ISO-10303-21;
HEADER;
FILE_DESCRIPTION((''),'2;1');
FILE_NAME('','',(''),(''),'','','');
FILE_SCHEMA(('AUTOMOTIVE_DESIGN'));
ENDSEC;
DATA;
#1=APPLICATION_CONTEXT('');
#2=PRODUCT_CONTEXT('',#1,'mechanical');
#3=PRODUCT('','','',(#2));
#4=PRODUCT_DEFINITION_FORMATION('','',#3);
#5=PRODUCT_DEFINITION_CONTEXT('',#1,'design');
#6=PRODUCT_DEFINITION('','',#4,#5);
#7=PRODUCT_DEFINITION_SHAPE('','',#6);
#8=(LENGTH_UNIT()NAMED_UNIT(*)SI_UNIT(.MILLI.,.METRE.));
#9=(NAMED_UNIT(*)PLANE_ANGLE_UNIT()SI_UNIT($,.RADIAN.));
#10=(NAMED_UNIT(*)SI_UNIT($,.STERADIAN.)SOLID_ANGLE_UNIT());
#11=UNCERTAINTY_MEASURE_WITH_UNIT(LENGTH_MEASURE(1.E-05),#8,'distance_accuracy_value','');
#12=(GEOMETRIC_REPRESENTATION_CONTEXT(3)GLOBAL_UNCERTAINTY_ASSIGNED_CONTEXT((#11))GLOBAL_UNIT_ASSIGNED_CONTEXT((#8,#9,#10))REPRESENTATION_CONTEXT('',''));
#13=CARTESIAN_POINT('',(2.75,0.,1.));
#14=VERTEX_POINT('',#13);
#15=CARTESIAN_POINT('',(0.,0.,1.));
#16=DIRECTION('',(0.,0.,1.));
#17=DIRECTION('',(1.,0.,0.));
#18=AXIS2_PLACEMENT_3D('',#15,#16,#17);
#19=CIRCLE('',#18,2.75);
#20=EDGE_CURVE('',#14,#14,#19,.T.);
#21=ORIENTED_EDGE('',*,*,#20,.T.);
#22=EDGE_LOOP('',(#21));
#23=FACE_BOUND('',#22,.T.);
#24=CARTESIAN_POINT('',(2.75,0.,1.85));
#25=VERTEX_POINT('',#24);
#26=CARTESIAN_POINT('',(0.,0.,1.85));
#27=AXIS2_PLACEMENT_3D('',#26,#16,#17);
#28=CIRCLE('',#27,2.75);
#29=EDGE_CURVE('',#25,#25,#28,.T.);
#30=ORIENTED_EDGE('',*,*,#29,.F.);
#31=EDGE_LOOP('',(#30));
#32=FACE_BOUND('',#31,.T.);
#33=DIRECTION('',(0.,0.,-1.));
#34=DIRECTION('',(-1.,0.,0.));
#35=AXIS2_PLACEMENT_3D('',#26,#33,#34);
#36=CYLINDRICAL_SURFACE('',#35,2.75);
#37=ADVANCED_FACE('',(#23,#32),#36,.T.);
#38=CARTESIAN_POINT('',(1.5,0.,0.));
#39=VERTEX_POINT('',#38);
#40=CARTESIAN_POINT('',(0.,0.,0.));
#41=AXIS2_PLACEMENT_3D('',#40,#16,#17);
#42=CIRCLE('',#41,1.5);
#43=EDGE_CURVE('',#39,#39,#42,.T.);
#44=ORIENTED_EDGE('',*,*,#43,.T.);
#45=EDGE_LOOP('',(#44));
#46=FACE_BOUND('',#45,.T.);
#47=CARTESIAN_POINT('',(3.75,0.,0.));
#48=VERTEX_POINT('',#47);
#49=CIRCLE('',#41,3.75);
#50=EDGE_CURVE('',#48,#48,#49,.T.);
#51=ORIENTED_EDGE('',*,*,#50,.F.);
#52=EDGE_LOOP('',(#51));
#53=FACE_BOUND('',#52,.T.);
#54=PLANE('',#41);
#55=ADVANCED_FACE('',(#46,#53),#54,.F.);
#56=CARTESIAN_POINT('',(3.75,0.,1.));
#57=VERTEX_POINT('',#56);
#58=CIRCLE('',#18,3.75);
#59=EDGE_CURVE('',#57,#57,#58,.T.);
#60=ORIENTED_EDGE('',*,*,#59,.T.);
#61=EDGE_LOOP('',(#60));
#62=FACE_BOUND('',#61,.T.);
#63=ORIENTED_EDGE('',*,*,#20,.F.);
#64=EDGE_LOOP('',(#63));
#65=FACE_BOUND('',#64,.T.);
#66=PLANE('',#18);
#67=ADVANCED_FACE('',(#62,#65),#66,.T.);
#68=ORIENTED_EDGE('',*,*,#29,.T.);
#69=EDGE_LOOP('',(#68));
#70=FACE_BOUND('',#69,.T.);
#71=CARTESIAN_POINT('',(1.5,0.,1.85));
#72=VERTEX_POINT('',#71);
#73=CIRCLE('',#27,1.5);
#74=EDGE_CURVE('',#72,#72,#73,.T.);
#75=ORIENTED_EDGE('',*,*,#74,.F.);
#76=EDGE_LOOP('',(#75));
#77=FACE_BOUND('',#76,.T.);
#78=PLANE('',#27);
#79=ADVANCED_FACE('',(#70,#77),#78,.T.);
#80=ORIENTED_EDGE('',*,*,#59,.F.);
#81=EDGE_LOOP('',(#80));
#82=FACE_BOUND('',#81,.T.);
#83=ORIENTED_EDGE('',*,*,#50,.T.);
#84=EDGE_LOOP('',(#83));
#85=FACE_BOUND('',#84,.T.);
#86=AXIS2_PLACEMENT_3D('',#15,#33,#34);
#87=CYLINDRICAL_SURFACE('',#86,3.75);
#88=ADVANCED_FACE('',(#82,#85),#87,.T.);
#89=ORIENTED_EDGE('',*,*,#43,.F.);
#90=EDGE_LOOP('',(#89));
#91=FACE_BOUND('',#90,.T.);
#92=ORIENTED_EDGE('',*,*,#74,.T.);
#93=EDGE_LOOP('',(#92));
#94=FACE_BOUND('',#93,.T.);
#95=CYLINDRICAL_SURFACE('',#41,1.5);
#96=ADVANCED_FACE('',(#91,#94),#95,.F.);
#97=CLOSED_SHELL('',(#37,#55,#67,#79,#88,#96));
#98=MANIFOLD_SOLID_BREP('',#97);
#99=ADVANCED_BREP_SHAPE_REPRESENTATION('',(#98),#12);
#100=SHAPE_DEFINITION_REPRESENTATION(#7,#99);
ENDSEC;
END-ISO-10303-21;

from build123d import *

# Parameters (mm, degrees)
SKETCH1_R           = 3.75
BOSS_EXTRUDE1_DEPTH = 1
SKETCH2_R           = 2.75
BOSS_EXTRUDE2_DEPTH = 0.85
SKETCH3_R           = 1.5
CUT_EXTRUDE1_DEPTH  = 2.85


with BuildPart() as part:
    # Sketch1 → Boss-Extrude1 (new body)
    with BuildSketch(Plane.XY):
        Circle(SKETCH1_R)
    extrude(amount=BOSS_EXTRUDE1_DEPTH)

    # Sketch2 → Boss-Extrude2 (add)
    with BuildSketch(Plane.XY.offset(1)):
        Circle(SKETCH2_R)
    extrude(amount=BOSS_EXTRUDE2_DEPTH)

    # Sketch3 → Cut-Extrude1 (cut, through all)
    with BuildSketch(Plane.XY.offset(1.85)):
        Circle(SKETCH3_R)
    extrude(amount=-CUT_EXTRUDE1_DEPTH, mode=Mode.SUBTRACT)


solid = part.part
